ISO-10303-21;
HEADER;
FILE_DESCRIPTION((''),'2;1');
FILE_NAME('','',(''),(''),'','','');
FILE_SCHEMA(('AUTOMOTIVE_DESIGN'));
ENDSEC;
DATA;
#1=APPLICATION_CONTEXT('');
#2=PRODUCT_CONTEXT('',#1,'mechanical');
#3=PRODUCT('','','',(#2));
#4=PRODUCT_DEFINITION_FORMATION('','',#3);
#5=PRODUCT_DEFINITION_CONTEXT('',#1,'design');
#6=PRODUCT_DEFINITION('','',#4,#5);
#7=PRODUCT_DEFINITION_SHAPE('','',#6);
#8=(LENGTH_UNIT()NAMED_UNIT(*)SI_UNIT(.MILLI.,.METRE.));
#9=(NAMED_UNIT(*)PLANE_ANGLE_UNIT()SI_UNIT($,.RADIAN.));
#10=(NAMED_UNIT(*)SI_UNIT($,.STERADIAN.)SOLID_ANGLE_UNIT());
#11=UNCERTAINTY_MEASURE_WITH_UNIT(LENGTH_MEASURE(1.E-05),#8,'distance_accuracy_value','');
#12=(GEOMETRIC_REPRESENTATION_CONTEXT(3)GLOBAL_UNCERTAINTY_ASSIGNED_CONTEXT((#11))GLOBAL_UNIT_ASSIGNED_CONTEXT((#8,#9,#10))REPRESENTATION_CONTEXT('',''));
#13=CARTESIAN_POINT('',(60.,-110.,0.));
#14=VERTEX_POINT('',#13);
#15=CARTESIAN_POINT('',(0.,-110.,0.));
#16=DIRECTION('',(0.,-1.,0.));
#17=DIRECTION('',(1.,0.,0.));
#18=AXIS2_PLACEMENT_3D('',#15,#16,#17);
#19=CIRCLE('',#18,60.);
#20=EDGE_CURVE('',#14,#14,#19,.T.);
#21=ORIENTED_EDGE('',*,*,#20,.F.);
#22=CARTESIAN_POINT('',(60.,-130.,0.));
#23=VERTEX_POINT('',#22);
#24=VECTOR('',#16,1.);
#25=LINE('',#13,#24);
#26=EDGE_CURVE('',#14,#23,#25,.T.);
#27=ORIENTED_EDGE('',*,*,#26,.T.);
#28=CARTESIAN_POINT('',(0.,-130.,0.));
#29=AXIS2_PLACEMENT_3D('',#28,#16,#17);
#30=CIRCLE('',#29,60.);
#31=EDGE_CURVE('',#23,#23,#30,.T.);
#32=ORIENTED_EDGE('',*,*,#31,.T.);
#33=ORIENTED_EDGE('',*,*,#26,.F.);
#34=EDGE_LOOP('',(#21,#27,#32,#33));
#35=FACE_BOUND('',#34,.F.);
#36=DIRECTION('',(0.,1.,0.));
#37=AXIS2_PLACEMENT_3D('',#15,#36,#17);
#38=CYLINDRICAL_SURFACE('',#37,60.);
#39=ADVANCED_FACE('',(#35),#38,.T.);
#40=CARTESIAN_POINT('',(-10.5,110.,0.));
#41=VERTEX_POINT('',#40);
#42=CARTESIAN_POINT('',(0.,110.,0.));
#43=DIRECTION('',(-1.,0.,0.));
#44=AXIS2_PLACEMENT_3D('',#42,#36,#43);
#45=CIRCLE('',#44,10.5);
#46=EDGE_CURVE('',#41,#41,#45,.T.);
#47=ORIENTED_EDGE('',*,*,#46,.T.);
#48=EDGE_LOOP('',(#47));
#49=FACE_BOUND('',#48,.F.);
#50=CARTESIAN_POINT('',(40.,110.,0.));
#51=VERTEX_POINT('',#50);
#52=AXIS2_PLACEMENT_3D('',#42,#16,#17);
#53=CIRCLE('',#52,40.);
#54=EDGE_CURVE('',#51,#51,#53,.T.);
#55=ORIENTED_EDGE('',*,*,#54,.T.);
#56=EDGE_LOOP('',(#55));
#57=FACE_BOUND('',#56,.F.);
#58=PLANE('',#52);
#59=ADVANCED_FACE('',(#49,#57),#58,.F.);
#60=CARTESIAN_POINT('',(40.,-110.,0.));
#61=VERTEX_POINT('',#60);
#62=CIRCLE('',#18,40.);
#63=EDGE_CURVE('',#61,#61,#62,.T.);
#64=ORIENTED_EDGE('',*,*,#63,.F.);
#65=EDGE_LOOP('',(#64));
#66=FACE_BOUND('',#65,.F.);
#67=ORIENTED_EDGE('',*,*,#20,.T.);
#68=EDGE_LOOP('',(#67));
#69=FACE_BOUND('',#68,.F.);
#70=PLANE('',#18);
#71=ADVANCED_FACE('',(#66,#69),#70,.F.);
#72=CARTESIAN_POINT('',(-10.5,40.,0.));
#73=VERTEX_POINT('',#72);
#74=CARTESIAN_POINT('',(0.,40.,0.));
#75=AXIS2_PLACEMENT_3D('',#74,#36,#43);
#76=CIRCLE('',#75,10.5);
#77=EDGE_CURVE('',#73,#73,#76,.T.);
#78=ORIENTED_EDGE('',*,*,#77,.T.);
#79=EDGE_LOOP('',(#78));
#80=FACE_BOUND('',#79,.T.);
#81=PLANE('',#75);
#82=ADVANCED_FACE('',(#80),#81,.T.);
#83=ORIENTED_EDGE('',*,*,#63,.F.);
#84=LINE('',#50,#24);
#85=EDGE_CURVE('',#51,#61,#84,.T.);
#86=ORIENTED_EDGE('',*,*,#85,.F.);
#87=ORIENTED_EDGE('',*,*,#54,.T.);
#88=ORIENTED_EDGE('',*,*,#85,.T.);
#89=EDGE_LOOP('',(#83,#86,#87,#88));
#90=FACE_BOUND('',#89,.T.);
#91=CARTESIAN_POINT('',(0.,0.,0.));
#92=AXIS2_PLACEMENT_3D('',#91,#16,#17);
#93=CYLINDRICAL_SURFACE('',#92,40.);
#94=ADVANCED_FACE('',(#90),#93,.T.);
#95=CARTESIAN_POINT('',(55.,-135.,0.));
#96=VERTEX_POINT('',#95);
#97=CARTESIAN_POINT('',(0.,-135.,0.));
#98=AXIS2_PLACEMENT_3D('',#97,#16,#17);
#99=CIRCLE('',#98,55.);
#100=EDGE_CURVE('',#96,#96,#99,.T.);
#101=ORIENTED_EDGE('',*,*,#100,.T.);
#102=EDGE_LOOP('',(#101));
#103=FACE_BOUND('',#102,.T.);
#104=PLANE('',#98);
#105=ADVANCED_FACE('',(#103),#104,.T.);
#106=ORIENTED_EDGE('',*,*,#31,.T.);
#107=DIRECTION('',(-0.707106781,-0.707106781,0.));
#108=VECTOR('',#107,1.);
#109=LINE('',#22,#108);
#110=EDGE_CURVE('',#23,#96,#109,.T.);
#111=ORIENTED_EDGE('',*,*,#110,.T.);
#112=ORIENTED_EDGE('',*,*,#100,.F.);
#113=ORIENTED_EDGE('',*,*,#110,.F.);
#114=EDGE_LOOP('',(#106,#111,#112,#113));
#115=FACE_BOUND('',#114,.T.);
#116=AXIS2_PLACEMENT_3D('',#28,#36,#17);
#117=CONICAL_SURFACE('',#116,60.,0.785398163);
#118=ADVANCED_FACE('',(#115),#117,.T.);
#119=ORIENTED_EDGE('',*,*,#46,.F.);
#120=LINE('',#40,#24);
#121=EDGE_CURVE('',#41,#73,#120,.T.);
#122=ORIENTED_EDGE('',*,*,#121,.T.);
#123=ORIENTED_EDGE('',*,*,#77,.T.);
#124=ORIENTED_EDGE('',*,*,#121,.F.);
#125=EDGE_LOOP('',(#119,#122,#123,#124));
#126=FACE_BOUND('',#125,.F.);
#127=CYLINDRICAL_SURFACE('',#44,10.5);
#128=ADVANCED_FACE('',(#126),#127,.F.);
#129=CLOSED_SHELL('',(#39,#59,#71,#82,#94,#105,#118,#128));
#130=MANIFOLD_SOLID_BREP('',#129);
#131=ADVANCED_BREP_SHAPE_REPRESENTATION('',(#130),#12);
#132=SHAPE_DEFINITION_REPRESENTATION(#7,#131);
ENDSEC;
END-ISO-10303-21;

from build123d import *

# Parameters (mm, degrees)
F0_R     = 40
F1_DEPTH = 110
F2_R     = 60
F3_DEPTH = 25
F4_SIZE  = 5
F5_R     = 10.5
F6_DEPTH = 70


with BuildPart() as f1:
    # F0 (on Front) → F1 (new body, symmetric)
    with BuildSketch(Plane.XZ):
        Circle(F0_R)
    extrude(amount=F1_DEPTH, both=True)

    # F2 (on face) → F3 (join)
    with BuildSketch(Plane.XZ.offset(110)):
        Circle(F2_R)
    extrude(amount=F3_DEPTH)

    # F4
    f4_edges = [f1.edges().sort_by_distance(p)[0] for p in [
        (-60, -135, 0),
    ]]
    chamfer(f4_edges, length=F4_SIZE)

    # F5 (on face) → F6 (cut)
    with BuildSketch(Plane(origin=(0, 110, 0), x_dir=(-1, 0, 0), z_dir=(0, 1, 0))):
        Circle(F5_R)
    extrude(amount=-F6_DEPTH, mode=Mode.SUBTRACT)


solid = f1.part
